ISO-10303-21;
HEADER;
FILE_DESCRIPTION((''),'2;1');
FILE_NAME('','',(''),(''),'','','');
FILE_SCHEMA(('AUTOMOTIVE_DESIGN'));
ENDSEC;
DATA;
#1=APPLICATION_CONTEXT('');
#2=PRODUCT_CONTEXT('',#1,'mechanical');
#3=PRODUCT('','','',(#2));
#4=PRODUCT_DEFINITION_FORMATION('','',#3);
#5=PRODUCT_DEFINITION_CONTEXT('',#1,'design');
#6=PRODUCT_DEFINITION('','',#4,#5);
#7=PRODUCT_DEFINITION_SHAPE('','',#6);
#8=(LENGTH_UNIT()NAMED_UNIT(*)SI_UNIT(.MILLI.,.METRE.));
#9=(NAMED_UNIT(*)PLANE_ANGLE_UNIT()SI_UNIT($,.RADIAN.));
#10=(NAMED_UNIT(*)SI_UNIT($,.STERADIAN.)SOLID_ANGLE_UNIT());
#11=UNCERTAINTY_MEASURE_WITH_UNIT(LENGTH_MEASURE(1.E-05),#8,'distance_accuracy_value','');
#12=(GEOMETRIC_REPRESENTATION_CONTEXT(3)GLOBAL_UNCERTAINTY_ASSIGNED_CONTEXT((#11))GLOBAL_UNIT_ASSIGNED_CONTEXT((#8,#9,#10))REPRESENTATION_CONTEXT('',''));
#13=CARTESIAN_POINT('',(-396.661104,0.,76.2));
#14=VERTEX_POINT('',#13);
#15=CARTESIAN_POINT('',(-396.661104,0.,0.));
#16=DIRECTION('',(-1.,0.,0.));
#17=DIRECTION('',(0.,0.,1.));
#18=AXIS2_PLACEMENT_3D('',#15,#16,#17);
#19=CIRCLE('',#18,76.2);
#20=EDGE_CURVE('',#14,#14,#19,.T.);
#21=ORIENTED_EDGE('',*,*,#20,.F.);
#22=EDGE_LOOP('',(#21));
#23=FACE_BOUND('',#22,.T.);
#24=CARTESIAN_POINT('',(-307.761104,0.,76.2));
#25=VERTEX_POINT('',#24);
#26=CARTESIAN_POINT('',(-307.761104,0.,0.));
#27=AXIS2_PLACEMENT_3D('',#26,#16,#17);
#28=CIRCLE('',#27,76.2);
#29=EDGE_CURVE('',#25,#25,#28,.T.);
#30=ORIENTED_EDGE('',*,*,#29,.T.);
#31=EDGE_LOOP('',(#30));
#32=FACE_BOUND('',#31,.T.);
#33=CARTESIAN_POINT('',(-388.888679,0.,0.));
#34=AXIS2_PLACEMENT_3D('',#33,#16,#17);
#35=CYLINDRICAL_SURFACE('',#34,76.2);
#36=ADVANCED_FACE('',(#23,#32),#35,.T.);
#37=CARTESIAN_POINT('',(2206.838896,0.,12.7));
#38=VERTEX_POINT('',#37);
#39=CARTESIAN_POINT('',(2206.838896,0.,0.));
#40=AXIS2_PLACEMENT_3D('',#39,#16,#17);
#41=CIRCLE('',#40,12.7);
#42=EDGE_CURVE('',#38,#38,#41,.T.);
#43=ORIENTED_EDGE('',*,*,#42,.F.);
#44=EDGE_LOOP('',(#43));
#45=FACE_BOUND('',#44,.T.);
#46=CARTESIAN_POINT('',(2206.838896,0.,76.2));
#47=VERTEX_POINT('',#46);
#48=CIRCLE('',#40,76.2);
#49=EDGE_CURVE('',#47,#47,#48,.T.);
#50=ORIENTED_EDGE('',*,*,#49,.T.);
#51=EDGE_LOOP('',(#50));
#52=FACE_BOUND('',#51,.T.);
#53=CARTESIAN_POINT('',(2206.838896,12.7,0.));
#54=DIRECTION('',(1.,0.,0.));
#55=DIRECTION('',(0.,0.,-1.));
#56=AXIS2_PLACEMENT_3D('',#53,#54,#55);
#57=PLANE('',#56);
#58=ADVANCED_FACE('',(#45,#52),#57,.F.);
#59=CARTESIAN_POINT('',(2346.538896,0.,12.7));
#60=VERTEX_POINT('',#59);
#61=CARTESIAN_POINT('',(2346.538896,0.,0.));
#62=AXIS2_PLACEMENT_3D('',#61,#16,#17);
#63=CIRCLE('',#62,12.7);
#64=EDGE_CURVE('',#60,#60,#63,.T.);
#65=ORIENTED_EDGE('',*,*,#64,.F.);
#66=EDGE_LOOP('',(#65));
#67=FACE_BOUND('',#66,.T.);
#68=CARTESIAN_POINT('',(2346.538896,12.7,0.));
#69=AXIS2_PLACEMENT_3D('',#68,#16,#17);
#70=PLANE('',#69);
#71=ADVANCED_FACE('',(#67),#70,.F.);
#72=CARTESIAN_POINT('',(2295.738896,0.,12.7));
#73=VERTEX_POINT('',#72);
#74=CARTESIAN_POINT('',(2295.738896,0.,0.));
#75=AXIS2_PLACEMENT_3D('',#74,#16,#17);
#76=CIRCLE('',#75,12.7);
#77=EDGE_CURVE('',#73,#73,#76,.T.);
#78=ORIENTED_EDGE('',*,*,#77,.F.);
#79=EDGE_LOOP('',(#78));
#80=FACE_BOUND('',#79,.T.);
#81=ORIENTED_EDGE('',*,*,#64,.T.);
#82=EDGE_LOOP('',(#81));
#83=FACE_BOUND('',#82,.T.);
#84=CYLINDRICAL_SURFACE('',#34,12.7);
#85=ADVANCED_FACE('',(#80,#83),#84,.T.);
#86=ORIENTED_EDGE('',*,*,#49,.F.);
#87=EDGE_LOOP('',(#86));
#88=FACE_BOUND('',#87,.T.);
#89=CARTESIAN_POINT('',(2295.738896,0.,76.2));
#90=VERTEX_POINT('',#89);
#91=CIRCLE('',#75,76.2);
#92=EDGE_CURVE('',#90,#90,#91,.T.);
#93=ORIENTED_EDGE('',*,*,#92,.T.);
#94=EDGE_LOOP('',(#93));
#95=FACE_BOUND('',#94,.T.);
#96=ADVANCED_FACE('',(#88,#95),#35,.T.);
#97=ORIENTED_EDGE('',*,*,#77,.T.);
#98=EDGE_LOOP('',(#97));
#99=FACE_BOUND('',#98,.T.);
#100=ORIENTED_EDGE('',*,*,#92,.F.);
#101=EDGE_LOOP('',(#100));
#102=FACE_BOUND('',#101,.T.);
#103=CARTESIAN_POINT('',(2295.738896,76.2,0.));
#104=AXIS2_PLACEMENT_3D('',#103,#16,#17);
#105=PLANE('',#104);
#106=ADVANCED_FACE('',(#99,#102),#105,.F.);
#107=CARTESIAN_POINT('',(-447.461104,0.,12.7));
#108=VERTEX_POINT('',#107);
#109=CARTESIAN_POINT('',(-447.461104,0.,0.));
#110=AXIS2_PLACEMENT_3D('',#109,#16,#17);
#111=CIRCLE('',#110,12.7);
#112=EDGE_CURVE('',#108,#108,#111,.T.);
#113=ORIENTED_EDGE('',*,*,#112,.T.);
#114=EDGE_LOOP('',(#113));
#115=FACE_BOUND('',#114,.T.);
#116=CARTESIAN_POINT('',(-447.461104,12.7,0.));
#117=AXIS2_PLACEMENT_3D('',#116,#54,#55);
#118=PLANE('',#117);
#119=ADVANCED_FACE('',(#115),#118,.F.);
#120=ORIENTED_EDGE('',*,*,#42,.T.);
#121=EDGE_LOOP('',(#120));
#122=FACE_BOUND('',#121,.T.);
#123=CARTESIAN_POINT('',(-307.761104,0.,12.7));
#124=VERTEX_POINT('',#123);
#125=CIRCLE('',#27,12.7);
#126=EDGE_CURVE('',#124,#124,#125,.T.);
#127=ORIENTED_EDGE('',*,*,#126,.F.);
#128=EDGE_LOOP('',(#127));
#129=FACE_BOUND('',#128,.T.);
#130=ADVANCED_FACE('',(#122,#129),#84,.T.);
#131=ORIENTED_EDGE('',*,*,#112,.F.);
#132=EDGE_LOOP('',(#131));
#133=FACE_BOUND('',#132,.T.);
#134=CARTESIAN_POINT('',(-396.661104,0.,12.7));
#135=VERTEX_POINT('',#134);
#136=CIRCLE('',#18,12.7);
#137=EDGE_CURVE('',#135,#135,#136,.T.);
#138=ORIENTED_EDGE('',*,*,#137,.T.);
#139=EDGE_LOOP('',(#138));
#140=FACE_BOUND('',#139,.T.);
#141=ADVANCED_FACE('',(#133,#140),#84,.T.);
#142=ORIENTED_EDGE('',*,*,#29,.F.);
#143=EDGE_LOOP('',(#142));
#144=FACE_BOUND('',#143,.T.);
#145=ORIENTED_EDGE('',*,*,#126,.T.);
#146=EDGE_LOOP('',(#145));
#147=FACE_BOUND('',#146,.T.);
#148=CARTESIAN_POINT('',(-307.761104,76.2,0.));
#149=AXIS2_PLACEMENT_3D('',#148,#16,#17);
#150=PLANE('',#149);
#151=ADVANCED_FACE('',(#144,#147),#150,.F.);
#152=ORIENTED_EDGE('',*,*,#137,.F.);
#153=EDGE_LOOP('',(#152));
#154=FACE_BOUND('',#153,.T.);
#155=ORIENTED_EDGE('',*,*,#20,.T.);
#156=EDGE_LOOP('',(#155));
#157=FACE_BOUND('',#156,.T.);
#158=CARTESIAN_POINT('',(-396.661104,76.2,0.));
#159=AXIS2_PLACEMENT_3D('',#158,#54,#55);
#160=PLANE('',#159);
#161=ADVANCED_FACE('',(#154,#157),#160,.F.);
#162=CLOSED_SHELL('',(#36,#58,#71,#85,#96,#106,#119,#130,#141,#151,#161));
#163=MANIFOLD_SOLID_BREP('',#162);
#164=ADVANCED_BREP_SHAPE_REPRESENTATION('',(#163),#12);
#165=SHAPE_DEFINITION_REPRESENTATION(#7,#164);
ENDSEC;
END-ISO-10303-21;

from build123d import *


with BuildPart() as part:
    # Sketch1 → Revolve2 (revolve)
    with BuildSketch(Plane.XY):
        Polygon((-396.661103787, 76.2), (-396.661103787, 12.7), (-447.461103787, 12.7), (-447.461103787, 0), (2346.538896213, 0), (2346.538896213, 12.7), (2295.738896213, 12.7), (2295.738896213, 76.2), (2206.838896213, 76.2), (2206.838896213, 12.7), (-307.761103787, 12.7), (-307.761103787, 76.2), align=None)
    revolve(axis=Axis((-388.888679165, 0, 0), (1, 0, 0)))


solid = part.part
